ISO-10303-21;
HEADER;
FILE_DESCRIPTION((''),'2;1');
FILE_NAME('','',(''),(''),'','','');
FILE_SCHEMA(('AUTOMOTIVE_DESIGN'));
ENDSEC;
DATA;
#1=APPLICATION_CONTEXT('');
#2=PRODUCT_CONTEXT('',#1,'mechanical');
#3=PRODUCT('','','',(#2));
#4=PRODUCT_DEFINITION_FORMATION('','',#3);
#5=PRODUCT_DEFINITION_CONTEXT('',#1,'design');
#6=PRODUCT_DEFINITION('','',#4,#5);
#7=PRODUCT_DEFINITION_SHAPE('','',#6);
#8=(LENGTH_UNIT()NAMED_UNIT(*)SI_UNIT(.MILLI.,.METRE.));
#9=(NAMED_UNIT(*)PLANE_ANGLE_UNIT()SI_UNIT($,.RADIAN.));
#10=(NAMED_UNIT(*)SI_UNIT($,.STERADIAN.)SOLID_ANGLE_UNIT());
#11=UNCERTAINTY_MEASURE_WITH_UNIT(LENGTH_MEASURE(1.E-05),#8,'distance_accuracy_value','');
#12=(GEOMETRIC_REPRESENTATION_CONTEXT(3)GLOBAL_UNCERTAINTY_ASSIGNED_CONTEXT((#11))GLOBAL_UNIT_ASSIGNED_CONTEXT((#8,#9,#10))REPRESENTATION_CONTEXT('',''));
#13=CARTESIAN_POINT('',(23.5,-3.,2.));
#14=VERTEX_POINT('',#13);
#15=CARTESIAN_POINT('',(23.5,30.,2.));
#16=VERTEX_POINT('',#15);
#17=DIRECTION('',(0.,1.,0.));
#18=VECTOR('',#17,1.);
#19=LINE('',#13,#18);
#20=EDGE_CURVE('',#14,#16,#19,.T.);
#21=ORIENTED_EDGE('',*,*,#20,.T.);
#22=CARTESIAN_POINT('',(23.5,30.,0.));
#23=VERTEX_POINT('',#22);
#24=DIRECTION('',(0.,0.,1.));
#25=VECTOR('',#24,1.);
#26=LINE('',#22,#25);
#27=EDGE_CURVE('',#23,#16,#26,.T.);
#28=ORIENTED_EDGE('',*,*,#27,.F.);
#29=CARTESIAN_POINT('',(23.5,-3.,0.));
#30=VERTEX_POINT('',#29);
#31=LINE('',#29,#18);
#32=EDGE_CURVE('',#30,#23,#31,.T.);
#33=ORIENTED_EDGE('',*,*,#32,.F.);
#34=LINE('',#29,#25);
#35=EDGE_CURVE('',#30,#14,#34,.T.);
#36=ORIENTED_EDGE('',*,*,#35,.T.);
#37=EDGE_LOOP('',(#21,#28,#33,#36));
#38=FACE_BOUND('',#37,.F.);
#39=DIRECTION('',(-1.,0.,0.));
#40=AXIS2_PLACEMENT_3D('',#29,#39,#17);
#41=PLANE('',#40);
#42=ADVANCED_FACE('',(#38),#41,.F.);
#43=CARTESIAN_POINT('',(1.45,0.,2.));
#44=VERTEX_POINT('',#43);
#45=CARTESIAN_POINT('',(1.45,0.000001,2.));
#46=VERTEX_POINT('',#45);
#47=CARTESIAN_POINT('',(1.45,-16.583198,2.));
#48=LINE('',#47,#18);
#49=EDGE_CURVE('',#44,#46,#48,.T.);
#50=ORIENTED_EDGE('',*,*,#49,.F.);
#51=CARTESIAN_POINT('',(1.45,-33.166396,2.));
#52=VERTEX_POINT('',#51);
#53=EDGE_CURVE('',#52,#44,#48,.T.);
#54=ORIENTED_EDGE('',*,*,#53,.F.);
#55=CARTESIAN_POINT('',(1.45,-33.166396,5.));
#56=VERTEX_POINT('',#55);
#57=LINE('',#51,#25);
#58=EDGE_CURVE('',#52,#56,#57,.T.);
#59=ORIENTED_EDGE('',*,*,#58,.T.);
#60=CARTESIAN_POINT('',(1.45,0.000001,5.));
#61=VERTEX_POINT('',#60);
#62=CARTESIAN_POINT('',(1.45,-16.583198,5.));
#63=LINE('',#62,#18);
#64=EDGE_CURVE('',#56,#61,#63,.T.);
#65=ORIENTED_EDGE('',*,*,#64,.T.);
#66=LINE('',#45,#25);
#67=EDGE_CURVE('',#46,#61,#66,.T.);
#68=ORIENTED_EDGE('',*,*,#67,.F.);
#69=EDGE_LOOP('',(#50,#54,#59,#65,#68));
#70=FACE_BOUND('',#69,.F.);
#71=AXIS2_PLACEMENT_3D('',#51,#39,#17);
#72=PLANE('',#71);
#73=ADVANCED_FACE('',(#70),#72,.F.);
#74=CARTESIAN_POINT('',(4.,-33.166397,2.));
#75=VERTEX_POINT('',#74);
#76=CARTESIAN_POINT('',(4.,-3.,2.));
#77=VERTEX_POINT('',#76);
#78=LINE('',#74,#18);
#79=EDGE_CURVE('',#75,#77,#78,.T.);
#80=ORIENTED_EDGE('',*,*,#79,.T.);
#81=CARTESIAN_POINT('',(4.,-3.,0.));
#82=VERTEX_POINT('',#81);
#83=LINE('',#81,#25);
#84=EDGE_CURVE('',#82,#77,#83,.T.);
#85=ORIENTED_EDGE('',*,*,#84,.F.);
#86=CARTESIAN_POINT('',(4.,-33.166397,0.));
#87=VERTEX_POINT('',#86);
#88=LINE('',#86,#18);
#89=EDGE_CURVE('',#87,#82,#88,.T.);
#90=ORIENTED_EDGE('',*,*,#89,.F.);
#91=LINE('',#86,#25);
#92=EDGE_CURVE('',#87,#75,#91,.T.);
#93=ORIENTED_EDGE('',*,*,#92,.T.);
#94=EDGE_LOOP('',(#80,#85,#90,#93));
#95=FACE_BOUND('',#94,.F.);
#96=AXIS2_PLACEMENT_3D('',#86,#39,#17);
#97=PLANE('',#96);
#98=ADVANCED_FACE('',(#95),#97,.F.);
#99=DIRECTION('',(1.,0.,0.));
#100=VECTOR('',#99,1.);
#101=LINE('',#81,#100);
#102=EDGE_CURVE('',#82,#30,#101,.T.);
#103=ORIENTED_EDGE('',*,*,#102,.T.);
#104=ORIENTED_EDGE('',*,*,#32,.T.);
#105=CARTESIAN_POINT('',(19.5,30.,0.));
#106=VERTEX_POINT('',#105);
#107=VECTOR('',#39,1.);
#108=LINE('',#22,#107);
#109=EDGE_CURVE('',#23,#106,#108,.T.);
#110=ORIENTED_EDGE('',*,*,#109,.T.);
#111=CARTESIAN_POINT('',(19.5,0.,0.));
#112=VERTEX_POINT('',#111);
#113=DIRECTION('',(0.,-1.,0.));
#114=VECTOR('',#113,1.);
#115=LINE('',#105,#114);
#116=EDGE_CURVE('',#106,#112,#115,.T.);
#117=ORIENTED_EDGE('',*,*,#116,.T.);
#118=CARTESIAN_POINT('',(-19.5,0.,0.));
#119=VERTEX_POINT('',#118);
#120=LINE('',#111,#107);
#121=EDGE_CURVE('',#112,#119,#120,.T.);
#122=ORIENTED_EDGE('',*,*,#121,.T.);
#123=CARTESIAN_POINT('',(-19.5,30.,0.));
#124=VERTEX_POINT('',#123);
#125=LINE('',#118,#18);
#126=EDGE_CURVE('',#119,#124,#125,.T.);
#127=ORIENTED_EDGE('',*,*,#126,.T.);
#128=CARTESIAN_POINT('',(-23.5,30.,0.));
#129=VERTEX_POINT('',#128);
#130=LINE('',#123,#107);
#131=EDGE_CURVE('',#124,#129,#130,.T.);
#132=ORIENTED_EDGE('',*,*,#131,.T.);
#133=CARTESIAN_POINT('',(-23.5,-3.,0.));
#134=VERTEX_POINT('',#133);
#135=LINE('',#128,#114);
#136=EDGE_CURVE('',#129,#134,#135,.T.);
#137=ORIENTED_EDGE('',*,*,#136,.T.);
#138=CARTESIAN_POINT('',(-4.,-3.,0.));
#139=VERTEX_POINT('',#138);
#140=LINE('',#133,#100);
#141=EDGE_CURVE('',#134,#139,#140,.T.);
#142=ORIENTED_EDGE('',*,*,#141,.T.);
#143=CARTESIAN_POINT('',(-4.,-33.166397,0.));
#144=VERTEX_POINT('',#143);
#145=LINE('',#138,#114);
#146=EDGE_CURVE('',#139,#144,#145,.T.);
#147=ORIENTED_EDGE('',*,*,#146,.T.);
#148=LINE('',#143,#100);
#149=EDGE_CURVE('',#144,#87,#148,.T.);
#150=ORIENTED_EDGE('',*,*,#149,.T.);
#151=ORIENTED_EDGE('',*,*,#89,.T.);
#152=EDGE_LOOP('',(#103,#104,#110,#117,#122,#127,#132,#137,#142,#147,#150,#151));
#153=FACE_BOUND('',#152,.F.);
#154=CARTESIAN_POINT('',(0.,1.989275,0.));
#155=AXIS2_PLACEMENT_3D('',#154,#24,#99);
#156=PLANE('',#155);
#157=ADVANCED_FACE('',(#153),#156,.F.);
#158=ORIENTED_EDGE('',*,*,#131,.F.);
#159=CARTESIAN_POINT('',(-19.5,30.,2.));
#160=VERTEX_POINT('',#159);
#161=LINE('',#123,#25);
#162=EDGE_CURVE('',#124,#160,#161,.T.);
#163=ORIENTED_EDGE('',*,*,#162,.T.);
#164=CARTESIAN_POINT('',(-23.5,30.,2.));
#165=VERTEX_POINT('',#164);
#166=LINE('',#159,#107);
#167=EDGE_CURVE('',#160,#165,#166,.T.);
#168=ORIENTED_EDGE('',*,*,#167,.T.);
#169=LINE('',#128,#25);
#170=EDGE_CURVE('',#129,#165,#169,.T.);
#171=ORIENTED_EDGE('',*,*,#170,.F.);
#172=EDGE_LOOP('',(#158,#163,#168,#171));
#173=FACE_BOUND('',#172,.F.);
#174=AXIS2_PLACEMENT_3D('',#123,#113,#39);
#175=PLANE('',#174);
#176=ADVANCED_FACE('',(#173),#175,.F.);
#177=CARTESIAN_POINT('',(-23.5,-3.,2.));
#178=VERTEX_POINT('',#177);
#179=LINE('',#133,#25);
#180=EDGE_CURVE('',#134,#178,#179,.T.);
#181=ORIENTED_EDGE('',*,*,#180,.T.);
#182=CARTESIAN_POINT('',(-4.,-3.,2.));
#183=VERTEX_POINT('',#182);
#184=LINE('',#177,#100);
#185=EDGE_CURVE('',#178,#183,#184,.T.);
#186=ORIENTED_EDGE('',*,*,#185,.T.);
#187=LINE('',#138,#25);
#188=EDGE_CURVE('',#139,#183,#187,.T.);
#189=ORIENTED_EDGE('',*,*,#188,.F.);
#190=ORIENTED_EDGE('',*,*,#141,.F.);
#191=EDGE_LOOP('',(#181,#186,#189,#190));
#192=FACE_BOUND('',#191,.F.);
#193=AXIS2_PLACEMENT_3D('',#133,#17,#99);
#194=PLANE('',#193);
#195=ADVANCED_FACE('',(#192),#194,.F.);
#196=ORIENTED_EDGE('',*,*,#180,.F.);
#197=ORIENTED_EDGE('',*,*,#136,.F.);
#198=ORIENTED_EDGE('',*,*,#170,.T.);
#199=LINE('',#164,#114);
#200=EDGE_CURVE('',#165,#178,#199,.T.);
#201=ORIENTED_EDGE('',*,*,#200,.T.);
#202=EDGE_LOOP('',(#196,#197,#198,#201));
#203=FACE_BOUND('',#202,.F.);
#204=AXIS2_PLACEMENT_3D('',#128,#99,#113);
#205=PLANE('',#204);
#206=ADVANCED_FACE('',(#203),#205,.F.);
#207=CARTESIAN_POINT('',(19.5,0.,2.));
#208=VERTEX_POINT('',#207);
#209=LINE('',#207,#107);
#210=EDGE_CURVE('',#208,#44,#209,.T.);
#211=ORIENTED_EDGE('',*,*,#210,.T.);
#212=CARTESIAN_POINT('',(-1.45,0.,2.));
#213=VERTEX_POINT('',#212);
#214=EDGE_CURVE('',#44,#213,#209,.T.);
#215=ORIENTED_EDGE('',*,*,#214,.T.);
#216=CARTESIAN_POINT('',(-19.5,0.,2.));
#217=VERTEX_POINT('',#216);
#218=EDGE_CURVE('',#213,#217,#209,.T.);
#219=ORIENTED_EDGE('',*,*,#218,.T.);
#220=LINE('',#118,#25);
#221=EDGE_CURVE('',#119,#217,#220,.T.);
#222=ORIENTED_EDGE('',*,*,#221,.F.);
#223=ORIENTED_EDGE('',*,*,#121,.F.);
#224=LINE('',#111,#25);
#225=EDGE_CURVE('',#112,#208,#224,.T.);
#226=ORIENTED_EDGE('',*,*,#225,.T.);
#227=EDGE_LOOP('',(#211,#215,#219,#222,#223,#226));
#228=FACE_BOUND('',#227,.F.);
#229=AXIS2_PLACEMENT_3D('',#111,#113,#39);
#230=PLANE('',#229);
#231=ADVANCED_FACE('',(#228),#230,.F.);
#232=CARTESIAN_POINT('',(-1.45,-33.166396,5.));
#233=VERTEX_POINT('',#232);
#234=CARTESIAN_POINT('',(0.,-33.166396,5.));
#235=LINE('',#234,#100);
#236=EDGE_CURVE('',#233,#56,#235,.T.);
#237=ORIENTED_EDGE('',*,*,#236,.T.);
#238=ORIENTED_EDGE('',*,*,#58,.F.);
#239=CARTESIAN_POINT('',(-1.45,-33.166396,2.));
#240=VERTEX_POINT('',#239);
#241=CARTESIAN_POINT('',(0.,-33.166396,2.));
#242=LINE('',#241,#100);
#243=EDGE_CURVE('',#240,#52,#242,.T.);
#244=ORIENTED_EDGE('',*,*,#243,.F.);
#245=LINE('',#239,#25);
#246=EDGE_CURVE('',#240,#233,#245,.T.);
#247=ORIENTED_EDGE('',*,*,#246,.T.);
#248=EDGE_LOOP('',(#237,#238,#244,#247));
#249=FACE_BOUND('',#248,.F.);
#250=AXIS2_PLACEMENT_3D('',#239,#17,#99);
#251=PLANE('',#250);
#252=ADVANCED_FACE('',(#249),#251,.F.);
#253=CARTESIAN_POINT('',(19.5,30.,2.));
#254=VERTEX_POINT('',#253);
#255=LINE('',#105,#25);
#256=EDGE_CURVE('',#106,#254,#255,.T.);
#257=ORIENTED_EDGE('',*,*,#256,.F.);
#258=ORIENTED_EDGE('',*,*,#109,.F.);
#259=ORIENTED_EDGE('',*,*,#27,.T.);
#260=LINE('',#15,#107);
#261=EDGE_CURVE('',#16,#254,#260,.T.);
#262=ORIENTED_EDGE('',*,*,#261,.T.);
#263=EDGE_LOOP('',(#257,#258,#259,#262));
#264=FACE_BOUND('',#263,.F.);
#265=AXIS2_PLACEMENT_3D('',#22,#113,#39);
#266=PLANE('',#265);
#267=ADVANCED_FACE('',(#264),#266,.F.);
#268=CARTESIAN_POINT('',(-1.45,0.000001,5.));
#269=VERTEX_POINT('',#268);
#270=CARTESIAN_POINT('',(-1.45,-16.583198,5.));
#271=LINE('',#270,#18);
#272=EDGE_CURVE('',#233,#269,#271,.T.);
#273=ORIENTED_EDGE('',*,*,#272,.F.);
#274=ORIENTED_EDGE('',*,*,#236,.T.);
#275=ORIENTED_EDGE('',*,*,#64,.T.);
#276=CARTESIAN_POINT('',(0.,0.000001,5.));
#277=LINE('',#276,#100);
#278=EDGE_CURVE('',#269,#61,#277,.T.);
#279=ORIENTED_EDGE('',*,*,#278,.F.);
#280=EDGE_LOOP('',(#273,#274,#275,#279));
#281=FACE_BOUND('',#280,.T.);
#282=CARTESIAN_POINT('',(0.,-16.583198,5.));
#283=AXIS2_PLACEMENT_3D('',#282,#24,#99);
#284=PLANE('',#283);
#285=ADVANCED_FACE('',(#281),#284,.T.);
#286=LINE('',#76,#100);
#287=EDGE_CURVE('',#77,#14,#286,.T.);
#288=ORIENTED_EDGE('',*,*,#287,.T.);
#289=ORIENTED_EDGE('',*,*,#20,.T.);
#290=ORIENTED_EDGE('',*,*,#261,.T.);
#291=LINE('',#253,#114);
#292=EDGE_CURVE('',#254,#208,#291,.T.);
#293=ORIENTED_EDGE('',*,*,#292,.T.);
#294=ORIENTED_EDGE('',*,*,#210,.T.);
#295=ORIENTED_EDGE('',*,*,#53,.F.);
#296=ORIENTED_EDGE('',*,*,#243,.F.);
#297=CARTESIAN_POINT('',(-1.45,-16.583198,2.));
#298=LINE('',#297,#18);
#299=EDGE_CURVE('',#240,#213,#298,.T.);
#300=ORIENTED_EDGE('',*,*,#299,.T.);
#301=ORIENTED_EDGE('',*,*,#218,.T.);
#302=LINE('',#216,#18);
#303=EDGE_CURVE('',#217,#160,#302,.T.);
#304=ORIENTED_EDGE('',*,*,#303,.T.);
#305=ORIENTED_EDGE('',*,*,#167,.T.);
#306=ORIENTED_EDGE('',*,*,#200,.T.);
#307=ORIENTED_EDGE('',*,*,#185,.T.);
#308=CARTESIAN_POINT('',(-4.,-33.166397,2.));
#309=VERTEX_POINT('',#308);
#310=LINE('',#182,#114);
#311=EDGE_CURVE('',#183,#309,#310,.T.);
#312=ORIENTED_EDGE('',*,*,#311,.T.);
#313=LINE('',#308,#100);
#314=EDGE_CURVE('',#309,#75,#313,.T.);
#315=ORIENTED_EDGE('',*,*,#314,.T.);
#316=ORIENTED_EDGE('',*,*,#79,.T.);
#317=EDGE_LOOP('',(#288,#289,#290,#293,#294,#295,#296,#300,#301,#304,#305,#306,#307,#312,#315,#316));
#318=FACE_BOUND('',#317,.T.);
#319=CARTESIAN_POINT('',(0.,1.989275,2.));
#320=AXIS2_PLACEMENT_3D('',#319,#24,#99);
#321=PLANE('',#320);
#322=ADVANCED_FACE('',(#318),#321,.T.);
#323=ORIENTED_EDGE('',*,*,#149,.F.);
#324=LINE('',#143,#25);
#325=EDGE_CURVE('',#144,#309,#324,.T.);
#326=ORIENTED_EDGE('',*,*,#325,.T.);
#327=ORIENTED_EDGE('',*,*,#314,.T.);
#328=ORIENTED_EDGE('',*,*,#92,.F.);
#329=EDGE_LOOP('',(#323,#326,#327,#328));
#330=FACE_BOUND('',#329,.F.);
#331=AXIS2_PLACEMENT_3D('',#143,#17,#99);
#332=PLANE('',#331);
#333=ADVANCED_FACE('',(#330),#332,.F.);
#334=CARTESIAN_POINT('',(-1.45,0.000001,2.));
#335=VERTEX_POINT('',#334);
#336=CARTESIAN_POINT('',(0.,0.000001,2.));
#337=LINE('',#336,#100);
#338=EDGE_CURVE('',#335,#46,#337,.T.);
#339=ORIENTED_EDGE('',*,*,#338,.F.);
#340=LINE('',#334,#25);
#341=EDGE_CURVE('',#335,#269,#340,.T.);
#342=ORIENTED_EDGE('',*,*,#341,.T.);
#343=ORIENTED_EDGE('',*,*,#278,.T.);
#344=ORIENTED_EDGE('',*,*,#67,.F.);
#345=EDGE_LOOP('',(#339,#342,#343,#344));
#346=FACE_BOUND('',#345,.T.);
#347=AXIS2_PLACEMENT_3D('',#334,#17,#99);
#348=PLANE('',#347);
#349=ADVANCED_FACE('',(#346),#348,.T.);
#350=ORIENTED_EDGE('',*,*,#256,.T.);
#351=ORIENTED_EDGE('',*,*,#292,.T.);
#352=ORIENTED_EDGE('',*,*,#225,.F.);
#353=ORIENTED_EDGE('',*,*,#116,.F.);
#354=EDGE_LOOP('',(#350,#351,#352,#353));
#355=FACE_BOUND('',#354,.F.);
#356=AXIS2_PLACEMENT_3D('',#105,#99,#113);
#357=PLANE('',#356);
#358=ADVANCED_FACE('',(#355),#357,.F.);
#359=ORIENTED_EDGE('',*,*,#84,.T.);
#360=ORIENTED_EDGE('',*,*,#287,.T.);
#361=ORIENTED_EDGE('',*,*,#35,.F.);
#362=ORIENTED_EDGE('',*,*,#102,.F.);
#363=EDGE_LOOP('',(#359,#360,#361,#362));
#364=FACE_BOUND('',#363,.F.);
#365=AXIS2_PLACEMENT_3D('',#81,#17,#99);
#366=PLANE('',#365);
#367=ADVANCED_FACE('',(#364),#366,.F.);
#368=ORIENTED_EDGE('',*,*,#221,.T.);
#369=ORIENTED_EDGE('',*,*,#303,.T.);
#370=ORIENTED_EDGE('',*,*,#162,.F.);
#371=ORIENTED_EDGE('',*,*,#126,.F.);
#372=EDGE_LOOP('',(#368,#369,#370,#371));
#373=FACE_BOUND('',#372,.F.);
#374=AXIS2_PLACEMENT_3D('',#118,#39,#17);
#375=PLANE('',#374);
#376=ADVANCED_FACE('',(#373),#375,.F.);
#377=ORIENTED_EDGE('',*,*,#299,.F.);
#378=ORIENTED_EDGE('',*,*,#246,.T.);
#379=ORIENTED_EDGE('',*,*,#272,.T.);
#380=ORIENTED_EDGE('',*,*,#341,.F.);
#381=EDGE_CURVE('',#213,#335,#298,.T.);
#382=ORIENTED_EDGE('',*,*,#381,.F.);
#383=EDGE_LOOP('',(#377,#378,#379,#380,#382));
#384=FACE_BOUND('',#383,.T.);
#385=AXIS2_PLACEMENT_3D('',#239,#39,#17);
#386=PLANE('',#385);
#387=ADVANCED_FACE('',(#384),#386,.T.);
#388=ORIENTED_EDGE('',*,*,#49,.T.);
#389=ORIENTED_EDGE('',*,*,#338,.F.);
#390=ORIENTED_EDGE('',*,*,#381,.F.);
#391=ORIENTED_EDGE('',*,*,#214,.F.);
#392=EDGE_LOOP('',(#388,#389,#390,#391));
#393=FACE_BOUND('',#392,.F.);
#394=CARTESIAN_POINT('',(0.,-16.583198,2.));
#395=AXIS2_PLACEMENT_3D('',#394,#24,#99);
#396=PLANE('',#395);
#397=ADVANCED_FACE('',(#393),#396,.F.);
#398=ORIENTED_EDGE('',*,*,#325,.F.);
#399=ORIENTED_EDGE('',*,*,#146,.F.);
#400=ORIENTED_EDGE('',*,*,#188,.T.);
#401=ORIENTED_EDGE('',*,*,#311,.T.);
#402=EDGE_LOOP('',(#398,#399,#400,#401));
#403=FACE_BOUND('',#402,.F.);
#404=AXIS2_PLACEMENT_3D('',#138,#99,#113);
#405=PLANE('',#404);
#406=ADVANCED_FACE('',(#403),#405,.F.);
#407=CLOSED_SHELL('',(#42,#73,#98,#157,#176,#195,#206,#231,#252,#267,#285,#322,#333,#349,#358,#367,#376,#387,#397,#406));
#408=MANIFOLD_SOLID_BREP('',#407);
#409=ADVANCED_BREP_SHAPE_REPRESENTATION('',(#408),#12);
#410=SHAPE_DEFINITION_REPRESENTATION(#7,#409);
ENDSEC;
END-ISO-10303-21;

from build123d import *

# Parameters (mm, degrees)
PAD_DEPTH    = 2
SKETCH001_W  = 2.9
SKETCH001_H  = 33.166397
PAD001_DEPTH = 3


with BuildPart() as part:
    # Sketch → Pad (new body)
    with BuildSketch(Plane.XY):
        Polygon((-19.5, 0), (-19.5, 30), (-23.5, 30), (-23.5, -3), (-4, -3), (-4, -33.166397), (4, -33.166397), (4, -3), (23.5, -3), (23.5, 30), (19.5, 30), (19.5, 0), align=None)
    extrude(amount=PAD_DEPTH)

    # Sketch001 → Pad001 (new body)
    with BuildSketch(Plane.XY.offset(2)):
        with Locations((0, -16.583198)):
            Rectangle(SKETCH001_W, SKETCH001_H)
    extrude(amount=PAD001_DEPTH)


solid = part.part
